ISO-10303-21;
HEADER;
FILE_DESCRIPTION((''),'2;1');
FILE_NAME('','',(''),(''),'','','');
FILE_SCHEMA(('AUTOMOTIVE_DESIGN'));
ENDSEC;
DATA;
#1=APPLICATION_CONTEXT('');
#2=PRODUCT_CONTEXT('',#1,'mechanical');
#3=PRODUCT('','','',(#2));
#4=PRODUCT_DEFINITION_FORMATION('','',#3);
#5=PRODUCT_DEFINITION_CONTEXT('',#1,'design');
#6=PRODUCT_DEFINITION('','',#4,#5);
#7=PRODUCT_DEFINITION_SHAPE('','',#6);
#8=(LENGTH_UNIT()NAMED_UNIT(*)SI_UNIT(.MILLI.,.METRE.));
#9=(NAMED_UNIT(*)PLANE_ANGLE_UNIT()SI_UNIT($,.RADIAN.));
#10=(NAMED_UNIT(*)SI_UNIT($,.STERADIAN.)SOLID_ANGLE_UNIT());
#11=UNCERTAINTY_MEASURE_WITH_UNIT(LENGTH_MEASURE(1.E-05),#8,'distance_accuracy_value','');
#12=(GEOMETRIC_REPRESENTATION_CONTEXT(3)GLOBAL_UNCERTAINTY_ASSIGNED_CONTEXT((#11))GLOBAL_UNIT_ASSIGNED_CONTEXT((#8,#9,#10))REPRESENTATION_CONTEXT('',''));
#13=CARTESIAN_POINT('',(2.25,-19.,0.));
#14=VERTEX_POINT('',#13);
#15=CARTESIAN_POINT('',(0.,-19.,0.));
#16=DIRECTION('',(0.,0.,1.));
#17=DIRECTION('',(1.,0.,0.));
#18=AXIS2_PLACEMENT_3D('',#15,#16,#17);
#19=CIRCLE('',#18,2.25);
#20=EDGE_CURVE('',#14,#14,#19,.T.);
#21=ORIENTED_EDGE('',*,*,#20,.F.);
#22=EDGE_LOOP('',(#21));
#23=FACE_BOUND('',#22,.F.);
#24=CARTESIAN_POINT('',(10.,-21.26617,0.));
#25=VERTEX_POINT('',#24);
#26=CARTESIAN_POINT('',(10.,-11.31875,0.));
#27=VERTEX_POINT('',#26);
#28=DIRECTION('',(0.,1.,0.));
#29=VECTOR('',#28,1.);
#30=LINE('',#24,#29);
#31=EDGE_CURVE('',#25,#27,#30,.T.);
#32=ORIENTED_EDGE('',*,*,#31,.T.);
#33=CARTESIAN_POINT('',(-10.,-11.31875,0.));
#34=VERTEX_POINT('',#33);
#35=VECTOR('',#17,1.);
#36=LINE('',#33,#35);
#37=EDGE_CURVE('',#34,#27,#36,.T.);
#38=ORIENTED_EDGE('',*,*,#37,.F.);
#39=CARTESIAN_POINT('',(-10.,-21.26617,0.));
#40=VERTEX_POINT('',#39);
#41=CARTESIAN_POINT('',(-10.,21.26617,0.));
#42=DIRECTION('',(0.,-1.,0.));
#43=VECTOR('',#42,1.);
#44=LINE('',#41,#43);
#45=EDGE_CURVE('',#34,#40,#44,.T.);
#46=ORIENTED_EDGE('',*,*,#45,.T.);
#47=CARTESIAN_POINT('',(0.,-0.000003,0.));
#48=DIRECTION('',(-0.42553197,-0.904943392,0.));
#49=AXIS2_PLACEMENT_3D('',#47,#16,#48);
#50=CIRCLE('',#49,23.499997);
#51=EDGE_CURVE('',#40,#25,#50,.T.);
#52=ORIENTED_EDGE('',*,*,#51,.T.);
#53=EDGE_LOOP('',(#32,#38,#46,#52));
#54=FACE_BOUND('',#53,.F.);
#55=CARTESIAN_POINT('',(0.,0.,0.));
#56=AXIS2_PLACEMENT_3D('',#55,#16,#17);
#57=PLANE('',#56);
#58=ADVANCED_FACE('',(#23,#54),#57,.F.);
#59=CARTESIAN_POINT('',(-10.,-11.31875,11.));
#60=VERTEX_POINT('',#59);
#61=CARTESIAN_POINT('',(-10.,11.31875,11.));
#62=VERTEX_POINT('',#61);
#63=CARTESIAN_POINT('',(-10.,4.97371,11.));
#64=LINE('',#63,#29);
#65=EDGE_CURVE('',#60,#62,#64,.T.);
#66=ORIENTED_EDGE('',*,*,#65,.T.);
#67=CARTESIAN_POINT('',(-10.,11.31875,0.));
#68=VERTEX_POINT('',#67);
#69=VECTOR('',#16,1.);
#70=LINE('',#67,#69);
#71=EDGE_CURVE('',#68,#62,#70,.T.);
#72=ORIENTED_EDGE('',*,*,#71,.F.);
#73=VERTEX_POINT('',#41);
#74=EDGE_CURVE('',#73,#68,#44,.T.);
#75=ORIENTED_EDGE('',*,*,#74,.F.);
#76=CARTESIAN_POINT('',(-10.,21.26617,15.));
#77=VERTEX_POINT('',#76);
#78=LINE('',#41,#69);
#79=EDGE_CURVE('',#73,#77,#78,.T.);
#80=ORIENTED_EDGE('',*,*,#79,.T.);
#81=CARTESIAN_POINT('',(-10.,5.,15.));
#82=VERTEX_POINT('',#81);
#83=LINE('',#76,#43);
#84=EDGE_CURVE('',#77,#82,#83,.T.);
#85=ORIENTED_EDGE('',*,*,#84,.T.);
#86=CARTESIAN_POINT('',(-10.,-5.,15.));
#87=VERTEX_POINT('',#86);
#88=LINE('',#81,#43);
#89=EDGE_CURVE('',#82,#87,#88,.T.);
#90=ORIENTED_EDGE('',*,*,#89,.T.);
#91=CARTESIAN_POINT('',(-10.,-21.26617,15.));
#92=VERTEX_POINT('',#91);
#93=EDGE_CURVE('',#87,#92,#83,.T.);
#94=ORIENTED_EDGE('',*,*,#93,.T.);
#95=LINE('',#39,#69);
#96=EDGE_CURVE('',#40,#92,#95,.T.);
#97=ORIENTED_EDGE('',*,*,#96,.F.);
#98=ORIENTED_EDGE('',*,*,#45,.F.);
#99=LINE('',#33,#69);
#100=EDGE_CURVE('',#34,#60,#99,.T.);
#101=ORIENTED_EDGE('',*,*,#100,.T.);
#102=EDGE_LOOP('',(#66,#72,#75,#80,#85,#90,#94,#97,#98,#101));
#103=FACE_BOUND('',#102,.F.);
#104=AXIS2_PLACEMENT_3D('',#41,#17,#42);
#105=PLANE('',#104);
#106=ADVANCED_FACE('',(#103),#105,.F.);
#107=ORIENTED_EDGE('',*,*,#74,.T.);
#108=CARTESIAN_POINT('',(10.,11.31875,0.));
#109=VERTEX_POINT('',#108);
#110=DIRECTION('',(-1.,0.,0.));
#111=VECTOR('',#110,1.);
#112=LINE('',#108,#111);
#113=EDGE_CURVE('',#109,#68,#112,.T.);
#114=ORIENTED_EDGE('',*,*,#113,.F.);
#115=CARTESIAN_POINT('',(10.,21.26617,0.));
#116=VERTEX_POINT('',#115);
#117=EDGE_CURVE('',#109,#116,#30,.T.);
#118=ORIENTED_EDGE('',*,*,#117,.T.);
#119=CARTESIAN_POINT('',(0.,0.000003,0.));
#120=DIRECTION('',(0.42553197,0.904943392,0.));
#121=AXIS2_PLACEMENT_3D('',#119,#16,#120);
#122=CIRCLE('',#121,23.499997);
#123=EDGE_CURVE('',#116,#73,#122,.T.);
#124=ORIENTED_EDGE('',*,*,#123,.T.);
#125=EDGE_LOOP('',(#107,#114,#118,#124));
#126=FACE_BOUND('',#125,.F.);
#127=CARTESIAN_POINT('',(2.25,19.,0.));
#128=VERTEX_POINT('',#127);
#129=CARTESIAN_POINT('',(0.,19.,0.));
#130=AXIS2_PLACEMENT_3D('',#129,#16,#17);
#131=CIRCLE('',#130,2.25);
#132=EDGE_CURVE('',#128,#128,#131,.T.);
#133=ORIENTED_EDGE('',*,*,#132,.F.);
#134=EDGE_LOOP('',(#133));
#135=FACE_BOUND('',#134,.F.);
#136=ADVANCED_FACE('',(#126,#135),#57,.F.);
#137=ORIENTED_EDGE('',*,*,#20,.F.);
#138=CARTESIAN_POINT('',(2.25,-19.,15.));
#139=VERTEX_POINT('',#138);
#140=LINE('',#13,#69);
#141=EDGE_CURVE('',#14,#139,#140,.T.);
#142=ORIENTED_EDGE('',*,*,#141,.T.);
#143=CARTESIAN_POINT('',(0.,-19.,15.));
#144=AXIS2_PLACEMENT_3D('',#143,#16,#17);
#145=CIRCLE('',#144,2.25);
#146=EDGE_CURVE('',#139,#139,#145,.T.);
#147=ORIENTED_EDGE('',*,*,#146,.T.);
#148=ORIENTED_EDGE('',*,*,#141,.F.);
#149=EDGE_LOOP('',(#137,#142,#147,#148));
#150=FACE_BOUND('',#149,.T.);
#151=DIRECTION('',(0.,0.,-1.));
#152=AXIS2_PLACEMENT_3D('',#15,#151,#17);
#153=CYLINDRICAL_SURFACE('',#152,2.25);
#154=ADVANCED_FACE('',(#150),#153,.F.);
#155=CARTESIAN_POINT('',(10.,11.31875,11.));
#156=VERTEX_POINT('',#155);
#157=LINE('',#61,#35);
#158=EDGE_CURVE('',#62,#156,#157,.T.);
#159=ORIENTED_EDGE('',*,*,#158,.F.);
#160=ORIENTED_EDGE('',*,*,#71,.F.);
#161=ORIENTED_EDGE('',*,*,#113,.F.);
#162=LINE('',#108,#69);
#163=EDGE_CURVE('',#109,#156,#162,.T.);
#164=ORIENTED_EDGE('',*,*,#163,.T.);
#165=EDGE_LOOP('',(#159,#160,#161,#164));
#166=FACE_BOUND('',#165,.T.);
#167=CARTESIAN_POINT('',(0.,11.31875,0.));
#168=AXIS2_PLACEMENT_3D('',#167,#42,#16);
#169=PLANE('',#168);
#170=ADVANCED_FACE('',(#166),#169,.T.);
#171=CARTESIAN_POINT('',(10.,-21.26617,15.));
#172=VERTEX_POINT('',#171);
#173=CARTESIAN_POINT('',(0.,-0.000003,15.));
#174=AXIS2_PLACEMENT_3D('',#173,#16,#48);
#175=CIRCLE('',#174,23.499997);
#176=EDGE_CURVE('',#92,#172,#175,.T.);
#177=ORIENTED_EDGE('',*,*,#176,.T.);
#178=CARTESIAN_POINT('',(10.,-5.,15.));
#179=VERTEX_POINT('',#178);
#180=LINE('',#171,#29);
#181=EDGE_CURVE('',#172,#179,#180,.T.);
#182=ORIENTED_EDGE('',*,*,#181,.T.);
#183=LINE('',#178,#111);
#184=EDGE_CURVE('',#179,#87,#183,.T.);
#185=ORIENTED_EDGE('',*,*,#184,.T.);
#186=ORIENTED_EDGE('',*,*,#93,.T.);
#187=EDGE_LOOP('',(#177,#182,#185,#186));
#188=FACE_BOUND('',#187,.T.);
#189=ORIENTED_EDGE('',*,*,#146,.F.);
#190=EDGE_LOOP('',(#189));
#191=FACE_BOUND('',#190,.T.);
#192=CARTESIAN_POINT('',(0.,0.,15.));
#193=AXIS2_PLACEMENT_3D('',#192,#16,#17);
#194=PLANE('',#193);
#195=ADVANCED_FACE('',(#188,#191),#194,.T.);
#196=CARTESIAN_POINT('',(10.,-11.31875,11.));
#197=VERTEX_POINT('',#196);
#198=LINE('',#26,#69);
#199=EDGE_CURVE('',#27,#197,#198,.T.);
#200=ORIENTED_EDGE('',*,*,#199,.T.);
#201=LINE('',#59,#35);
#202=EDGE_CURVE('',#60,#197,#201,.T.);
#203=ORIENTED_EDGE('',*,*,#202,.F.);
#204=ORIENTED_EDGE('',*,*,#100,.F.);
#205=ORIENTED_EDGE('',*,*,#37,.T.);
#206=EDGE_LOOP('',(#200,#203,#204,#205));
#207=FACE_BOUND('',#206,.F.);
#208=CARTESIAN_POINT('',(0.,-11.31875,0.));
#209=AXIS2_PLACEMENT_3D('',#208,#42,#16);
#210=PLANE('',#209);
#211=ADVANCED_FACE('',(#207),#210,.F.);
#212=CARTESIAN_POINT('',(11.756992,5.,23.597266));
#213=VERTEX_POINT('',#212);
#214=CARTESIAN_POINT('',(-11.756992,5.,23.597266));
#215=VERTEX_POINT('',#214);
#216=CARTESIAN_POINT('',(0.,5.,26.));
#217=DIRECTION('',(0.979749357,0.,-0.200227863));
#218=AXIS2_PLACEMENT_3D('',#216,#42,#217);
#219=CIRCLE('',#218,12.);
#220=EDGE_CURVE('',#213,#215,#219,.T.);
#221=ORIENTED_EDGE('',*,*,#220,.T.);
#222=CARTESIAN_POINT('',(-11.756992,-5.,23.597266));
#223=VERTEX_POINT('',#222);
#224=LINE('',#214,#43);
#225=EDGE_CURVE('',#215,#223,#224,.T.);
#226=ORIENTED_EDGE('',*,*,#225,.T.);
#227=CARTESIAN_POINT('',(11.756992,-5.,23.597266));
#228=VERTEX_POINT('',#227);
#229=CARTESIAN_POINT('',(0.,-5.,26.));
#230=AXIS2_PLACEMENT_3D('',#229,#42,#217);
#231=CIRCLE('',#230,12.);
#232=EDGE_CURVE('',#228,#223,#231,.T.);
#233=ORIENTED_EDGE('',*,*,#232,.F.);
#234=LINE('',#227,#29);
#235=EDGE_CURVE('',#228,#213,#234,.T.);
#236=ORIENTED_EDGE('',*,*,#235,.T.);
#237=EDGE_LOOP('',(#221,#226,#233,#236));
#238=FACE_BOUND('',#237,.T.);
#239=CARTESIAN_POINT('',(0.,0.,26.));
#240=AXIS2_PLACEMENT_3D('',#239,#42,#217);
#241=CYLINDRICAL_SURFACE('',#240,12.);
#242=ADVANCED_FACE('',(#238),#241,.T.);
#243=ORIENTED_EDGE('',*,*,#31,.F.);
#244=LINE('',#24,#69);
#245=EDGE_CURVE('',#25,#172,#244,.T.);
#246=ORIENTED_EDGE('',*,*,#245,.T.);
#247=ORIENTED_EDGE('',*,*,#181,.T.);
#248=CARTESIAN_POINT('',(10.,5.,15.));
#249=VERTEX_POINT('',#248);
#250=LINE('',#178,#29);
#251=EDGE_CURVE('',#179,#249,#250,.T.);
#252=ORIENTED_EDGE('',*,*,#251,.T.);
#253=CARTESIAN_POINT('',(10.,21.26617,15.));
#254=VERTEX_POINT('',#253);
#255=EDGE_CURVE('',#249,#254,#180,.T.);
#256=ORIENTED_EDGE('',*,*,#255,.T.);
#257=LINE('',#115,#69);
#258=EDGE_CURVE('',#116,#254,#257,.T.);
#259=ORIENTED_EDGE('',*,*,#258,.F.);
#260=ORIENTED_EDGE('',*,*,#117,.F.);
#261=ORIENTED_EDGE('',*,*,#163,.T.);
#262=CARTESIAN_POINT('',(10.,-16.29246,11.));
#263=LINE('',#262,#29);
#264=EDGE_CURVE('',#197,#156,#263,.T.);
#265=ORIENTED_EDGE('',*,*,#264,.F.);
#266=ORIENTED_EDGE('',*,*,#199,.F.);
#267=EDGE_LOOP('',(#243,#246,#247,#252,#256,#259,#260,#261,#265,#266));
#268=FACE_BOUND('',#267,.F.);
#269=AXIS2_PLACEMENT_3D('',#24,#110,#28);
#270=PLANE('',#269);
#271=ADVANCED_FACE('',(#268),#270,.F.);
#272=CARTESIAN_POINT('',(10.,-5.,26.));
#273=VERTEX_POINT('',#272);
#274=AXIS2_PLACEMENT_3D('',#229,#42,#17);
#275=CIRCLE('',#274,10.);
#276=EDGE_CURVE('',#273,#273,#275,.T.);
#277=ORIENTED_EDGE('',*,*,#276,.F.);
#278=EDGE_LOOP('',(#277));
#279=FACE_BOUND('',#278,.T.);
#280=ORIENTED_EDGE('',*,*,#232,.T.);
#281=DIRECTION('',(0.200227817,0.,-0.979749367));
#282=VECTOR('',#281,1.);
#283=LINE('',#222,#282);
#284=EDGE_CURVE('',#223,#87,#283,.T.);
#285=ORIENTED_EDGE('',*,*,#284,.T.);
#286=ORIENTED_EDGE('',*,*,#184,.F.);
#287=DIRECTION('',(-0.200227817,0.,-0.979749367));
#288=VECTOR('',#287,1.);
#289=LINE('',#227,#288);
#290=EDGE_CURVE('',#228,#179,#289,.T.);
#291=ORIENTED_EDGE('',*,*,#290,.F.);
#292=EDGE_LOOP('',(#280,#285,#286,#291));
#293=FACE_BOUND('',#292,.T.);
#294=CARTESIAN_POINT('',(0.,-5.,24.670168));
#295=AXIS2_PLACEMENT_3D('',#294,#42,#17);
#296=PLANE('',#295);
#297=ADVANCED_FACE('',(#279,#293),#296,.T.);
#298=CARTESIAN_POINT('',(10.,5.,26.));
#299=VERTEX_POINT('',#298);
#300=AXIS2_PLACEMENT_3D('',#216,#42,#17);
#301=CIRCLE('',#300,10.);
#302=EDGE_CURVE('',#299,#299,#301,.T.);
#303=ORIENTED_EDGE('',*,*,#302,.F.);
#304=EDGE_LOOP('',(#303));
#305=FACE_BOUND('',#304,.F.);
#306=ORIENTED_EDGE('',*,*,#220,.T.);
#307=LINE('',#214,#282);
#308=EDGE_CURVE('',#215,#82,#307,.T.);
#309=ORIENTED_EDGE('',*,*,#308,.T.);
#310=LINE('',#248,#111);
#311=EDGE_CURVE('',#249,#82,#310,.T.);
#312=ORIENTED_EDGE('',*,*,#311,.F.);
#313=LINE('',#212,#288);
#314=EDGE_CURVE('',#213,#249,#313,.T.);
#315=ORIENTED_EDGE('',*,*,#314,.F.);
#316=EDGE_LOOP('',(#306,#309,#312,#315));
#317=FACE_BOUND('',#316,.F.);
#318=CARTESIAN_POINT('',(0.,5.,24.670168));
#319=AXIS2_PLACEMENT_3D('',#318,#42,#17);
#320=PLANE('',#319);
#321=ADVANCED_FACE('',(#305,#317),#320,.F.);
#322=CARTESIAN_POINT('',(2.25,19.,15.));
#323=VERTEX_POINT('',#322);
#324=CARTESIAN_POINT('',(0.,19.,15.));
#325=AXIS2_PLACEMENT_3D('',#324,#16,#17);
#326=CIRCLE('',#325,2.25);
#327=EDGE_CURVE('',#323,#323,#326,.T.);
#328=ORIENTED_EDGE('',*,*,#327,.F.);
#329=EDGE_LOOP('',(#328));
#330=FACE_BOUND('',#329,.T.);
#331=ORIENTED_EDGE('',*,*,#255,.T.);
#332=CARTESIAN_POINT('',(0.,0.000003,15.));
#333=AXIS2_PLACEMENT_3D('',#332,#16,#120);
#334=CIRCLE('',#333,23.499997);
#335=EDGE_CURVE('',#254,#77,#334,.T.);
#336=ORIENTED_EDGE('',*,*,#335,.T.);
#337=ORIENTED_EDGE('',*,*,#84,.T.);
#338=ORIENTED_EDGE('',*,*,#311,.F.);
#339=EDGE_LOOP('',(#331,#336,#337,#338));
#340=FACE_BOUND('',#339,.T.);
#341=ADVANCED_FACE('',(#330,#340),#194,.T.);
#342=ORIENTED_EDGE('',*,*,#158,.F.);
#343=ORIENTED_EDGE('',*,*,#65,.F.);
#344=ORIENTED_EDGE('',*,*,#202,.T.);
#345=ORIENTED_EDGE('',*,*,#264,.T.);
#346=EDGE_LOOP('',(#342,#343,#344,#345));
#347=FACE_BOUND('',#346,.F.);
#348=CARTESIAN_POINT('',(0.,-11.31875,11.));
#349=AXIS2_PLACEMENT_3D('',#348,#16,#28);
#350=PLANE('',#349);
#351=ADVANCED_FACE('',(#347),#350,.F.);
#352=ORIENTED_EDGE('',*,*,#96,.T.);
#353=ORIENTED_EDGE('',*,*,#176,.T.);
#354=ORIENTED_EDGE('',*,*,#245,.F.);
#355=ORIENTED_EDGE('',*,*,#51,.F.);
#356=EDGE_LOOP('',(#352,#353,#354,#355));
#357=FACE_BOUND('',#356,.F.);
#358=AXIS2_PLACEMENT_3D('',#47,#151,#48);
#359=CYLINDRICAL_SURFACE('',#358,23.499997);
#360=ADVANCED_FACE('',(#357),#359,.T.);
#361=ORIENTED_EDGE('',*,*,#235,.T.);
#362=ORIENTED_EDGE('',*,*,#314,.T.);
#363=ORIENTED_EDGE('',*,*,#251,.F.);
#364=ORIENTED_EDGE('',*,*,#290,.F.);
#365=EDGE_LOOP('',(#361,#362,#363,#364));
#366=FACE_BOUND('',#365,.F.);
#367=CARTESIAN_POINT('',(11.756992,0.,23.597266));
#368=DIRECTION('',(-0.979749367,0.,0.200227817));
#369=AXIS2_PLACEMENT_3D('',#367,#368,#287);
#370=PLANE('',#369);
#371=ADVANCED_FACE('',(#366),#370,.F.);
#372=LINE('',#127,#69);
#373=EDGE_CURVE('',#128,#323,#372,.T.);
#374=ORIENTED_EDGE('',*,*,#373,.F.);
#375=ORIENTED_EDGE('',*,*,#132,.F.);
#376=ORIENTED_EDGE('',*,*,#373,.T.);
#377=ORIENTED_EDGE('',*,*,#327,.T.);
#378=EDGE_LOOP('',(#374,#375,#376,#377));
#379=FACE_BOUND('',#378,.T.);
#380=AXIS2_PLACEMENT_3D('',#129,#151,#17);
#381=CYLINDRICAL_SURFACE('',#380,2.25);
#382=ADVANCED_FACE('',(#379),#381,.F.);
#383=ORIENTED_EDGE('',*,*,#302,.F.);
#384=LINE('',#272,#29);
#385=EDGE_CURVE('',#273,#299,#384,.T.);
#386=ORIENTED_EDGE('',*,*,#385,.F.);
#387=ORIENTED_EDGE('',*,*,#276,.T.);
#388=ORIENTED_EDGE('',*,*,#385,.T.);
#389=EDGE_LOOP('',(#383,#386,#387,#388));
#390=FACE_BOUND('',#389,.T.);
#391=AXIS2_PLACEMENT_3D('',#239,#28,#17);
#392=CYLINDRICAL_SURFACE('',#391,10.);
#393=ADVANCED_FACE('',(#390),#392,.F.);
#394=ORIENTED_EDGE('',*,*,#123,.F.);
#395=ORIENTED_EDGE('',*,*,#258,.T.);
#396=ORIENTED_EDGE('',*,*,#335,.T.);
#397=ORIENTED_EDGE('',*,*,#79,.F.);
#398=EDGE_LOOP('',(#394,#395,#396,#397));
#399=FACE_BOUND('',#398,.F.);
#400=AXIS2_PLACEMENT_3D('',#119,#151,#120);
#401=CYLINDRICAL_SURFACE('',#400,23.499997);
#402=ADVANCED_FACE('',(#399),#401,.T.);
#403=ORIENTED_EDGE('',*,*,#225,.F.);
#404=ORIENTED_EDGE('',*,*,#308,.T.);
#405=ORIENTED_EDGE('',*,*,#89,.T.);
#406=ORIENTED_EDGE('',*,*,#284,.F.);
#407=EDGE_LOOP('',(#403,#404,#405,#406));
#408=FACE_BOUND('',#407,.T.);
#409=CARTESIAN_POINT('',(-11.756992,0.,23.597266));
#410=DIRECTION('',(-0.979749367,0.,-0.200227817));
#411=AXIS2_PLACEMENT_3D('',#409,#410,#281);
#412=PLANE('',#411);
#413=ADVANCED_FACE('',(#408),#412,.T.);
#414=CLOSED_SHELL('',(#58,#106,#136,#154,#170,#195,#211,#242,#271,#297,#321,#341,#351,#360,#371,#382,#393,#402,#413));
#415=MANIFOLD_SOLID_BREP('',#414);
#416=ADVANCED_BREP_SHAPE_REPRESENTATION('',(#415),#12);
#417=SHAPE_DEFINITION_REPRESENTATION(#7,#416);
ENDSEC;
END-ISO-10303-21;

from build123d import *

# Parameters (mm, degrees)
SKETCH067_R          = 2.25
PAD043_DEPTH         = 15
SKETCH068_R          = 10
PAD044_DEPTH         = 5
SKETCH069_W          = 22.6375
SKETCH069_H          = 11
POCKET022_DEPTH      = 12.001
POCKET022_DEPTH_BACK = 12.001


with BuildPart() as part:
    # Sketch067 → Pad043 (new body)
    with BuildSketch(Plane.XY):
        with BuildLine():
            ThreePointArc((10, 21.26617), (0, 23.5), (-10, 21.26617))
            Line((-10, 21.26617), (-10, -21.26617))
            ThreePointArc((-10, -21.26617), (0, -23.5), (10, -21.26617))
            Line((10, -21.26617), (10, 21.26617))
        make_face()
        with Locations((0, 19)):
            Circle(SKETCH067_R, mode=Mode.SUBTRACT)
        with Locations((0, -19)):
            Circle(SKETCH067_R, mode=Mode.SUBTRACT)
    extrude(amount=PAD043_DEPTH)

    # Sketch068 → Pad044 (join, symmetric)
    with BuildSketch(Plane.XZ):
        with BuildLine():
            ThreePointArc((11.756992, 23.597266), (0, 38), (-11.756992, 23.597266))
            Line((-11.756992, 23.597266), (-10, 15))
            Line((10, 15), (-10, 15))
            Line((11.756992, 23.597266), (10, 15))
        make_face()
        with Locations((0, 26)):
            Circle(SKETCH068_R, mode=Mode.SUBTRACT)
    extrude(amount=PAD044_DEPTH, both=True)

    # Sketch069 → Pocket022 (cut, two sides)
    with BuildSketch(Plane.YZ) as pocket022_sk:
        with Locations((0, 5.5)):
            Rectangle(SKETCH069_W, SKETCH069_H)
    extrude(amount=-POCKET022_DEPTH, mode=Mode.SUBTRACT)
    extrude(pocket022_sk.sketch, amount=POCKET022_DEPTH_BACK, mode=Mode.SUBTRACT)


solid = part.part
